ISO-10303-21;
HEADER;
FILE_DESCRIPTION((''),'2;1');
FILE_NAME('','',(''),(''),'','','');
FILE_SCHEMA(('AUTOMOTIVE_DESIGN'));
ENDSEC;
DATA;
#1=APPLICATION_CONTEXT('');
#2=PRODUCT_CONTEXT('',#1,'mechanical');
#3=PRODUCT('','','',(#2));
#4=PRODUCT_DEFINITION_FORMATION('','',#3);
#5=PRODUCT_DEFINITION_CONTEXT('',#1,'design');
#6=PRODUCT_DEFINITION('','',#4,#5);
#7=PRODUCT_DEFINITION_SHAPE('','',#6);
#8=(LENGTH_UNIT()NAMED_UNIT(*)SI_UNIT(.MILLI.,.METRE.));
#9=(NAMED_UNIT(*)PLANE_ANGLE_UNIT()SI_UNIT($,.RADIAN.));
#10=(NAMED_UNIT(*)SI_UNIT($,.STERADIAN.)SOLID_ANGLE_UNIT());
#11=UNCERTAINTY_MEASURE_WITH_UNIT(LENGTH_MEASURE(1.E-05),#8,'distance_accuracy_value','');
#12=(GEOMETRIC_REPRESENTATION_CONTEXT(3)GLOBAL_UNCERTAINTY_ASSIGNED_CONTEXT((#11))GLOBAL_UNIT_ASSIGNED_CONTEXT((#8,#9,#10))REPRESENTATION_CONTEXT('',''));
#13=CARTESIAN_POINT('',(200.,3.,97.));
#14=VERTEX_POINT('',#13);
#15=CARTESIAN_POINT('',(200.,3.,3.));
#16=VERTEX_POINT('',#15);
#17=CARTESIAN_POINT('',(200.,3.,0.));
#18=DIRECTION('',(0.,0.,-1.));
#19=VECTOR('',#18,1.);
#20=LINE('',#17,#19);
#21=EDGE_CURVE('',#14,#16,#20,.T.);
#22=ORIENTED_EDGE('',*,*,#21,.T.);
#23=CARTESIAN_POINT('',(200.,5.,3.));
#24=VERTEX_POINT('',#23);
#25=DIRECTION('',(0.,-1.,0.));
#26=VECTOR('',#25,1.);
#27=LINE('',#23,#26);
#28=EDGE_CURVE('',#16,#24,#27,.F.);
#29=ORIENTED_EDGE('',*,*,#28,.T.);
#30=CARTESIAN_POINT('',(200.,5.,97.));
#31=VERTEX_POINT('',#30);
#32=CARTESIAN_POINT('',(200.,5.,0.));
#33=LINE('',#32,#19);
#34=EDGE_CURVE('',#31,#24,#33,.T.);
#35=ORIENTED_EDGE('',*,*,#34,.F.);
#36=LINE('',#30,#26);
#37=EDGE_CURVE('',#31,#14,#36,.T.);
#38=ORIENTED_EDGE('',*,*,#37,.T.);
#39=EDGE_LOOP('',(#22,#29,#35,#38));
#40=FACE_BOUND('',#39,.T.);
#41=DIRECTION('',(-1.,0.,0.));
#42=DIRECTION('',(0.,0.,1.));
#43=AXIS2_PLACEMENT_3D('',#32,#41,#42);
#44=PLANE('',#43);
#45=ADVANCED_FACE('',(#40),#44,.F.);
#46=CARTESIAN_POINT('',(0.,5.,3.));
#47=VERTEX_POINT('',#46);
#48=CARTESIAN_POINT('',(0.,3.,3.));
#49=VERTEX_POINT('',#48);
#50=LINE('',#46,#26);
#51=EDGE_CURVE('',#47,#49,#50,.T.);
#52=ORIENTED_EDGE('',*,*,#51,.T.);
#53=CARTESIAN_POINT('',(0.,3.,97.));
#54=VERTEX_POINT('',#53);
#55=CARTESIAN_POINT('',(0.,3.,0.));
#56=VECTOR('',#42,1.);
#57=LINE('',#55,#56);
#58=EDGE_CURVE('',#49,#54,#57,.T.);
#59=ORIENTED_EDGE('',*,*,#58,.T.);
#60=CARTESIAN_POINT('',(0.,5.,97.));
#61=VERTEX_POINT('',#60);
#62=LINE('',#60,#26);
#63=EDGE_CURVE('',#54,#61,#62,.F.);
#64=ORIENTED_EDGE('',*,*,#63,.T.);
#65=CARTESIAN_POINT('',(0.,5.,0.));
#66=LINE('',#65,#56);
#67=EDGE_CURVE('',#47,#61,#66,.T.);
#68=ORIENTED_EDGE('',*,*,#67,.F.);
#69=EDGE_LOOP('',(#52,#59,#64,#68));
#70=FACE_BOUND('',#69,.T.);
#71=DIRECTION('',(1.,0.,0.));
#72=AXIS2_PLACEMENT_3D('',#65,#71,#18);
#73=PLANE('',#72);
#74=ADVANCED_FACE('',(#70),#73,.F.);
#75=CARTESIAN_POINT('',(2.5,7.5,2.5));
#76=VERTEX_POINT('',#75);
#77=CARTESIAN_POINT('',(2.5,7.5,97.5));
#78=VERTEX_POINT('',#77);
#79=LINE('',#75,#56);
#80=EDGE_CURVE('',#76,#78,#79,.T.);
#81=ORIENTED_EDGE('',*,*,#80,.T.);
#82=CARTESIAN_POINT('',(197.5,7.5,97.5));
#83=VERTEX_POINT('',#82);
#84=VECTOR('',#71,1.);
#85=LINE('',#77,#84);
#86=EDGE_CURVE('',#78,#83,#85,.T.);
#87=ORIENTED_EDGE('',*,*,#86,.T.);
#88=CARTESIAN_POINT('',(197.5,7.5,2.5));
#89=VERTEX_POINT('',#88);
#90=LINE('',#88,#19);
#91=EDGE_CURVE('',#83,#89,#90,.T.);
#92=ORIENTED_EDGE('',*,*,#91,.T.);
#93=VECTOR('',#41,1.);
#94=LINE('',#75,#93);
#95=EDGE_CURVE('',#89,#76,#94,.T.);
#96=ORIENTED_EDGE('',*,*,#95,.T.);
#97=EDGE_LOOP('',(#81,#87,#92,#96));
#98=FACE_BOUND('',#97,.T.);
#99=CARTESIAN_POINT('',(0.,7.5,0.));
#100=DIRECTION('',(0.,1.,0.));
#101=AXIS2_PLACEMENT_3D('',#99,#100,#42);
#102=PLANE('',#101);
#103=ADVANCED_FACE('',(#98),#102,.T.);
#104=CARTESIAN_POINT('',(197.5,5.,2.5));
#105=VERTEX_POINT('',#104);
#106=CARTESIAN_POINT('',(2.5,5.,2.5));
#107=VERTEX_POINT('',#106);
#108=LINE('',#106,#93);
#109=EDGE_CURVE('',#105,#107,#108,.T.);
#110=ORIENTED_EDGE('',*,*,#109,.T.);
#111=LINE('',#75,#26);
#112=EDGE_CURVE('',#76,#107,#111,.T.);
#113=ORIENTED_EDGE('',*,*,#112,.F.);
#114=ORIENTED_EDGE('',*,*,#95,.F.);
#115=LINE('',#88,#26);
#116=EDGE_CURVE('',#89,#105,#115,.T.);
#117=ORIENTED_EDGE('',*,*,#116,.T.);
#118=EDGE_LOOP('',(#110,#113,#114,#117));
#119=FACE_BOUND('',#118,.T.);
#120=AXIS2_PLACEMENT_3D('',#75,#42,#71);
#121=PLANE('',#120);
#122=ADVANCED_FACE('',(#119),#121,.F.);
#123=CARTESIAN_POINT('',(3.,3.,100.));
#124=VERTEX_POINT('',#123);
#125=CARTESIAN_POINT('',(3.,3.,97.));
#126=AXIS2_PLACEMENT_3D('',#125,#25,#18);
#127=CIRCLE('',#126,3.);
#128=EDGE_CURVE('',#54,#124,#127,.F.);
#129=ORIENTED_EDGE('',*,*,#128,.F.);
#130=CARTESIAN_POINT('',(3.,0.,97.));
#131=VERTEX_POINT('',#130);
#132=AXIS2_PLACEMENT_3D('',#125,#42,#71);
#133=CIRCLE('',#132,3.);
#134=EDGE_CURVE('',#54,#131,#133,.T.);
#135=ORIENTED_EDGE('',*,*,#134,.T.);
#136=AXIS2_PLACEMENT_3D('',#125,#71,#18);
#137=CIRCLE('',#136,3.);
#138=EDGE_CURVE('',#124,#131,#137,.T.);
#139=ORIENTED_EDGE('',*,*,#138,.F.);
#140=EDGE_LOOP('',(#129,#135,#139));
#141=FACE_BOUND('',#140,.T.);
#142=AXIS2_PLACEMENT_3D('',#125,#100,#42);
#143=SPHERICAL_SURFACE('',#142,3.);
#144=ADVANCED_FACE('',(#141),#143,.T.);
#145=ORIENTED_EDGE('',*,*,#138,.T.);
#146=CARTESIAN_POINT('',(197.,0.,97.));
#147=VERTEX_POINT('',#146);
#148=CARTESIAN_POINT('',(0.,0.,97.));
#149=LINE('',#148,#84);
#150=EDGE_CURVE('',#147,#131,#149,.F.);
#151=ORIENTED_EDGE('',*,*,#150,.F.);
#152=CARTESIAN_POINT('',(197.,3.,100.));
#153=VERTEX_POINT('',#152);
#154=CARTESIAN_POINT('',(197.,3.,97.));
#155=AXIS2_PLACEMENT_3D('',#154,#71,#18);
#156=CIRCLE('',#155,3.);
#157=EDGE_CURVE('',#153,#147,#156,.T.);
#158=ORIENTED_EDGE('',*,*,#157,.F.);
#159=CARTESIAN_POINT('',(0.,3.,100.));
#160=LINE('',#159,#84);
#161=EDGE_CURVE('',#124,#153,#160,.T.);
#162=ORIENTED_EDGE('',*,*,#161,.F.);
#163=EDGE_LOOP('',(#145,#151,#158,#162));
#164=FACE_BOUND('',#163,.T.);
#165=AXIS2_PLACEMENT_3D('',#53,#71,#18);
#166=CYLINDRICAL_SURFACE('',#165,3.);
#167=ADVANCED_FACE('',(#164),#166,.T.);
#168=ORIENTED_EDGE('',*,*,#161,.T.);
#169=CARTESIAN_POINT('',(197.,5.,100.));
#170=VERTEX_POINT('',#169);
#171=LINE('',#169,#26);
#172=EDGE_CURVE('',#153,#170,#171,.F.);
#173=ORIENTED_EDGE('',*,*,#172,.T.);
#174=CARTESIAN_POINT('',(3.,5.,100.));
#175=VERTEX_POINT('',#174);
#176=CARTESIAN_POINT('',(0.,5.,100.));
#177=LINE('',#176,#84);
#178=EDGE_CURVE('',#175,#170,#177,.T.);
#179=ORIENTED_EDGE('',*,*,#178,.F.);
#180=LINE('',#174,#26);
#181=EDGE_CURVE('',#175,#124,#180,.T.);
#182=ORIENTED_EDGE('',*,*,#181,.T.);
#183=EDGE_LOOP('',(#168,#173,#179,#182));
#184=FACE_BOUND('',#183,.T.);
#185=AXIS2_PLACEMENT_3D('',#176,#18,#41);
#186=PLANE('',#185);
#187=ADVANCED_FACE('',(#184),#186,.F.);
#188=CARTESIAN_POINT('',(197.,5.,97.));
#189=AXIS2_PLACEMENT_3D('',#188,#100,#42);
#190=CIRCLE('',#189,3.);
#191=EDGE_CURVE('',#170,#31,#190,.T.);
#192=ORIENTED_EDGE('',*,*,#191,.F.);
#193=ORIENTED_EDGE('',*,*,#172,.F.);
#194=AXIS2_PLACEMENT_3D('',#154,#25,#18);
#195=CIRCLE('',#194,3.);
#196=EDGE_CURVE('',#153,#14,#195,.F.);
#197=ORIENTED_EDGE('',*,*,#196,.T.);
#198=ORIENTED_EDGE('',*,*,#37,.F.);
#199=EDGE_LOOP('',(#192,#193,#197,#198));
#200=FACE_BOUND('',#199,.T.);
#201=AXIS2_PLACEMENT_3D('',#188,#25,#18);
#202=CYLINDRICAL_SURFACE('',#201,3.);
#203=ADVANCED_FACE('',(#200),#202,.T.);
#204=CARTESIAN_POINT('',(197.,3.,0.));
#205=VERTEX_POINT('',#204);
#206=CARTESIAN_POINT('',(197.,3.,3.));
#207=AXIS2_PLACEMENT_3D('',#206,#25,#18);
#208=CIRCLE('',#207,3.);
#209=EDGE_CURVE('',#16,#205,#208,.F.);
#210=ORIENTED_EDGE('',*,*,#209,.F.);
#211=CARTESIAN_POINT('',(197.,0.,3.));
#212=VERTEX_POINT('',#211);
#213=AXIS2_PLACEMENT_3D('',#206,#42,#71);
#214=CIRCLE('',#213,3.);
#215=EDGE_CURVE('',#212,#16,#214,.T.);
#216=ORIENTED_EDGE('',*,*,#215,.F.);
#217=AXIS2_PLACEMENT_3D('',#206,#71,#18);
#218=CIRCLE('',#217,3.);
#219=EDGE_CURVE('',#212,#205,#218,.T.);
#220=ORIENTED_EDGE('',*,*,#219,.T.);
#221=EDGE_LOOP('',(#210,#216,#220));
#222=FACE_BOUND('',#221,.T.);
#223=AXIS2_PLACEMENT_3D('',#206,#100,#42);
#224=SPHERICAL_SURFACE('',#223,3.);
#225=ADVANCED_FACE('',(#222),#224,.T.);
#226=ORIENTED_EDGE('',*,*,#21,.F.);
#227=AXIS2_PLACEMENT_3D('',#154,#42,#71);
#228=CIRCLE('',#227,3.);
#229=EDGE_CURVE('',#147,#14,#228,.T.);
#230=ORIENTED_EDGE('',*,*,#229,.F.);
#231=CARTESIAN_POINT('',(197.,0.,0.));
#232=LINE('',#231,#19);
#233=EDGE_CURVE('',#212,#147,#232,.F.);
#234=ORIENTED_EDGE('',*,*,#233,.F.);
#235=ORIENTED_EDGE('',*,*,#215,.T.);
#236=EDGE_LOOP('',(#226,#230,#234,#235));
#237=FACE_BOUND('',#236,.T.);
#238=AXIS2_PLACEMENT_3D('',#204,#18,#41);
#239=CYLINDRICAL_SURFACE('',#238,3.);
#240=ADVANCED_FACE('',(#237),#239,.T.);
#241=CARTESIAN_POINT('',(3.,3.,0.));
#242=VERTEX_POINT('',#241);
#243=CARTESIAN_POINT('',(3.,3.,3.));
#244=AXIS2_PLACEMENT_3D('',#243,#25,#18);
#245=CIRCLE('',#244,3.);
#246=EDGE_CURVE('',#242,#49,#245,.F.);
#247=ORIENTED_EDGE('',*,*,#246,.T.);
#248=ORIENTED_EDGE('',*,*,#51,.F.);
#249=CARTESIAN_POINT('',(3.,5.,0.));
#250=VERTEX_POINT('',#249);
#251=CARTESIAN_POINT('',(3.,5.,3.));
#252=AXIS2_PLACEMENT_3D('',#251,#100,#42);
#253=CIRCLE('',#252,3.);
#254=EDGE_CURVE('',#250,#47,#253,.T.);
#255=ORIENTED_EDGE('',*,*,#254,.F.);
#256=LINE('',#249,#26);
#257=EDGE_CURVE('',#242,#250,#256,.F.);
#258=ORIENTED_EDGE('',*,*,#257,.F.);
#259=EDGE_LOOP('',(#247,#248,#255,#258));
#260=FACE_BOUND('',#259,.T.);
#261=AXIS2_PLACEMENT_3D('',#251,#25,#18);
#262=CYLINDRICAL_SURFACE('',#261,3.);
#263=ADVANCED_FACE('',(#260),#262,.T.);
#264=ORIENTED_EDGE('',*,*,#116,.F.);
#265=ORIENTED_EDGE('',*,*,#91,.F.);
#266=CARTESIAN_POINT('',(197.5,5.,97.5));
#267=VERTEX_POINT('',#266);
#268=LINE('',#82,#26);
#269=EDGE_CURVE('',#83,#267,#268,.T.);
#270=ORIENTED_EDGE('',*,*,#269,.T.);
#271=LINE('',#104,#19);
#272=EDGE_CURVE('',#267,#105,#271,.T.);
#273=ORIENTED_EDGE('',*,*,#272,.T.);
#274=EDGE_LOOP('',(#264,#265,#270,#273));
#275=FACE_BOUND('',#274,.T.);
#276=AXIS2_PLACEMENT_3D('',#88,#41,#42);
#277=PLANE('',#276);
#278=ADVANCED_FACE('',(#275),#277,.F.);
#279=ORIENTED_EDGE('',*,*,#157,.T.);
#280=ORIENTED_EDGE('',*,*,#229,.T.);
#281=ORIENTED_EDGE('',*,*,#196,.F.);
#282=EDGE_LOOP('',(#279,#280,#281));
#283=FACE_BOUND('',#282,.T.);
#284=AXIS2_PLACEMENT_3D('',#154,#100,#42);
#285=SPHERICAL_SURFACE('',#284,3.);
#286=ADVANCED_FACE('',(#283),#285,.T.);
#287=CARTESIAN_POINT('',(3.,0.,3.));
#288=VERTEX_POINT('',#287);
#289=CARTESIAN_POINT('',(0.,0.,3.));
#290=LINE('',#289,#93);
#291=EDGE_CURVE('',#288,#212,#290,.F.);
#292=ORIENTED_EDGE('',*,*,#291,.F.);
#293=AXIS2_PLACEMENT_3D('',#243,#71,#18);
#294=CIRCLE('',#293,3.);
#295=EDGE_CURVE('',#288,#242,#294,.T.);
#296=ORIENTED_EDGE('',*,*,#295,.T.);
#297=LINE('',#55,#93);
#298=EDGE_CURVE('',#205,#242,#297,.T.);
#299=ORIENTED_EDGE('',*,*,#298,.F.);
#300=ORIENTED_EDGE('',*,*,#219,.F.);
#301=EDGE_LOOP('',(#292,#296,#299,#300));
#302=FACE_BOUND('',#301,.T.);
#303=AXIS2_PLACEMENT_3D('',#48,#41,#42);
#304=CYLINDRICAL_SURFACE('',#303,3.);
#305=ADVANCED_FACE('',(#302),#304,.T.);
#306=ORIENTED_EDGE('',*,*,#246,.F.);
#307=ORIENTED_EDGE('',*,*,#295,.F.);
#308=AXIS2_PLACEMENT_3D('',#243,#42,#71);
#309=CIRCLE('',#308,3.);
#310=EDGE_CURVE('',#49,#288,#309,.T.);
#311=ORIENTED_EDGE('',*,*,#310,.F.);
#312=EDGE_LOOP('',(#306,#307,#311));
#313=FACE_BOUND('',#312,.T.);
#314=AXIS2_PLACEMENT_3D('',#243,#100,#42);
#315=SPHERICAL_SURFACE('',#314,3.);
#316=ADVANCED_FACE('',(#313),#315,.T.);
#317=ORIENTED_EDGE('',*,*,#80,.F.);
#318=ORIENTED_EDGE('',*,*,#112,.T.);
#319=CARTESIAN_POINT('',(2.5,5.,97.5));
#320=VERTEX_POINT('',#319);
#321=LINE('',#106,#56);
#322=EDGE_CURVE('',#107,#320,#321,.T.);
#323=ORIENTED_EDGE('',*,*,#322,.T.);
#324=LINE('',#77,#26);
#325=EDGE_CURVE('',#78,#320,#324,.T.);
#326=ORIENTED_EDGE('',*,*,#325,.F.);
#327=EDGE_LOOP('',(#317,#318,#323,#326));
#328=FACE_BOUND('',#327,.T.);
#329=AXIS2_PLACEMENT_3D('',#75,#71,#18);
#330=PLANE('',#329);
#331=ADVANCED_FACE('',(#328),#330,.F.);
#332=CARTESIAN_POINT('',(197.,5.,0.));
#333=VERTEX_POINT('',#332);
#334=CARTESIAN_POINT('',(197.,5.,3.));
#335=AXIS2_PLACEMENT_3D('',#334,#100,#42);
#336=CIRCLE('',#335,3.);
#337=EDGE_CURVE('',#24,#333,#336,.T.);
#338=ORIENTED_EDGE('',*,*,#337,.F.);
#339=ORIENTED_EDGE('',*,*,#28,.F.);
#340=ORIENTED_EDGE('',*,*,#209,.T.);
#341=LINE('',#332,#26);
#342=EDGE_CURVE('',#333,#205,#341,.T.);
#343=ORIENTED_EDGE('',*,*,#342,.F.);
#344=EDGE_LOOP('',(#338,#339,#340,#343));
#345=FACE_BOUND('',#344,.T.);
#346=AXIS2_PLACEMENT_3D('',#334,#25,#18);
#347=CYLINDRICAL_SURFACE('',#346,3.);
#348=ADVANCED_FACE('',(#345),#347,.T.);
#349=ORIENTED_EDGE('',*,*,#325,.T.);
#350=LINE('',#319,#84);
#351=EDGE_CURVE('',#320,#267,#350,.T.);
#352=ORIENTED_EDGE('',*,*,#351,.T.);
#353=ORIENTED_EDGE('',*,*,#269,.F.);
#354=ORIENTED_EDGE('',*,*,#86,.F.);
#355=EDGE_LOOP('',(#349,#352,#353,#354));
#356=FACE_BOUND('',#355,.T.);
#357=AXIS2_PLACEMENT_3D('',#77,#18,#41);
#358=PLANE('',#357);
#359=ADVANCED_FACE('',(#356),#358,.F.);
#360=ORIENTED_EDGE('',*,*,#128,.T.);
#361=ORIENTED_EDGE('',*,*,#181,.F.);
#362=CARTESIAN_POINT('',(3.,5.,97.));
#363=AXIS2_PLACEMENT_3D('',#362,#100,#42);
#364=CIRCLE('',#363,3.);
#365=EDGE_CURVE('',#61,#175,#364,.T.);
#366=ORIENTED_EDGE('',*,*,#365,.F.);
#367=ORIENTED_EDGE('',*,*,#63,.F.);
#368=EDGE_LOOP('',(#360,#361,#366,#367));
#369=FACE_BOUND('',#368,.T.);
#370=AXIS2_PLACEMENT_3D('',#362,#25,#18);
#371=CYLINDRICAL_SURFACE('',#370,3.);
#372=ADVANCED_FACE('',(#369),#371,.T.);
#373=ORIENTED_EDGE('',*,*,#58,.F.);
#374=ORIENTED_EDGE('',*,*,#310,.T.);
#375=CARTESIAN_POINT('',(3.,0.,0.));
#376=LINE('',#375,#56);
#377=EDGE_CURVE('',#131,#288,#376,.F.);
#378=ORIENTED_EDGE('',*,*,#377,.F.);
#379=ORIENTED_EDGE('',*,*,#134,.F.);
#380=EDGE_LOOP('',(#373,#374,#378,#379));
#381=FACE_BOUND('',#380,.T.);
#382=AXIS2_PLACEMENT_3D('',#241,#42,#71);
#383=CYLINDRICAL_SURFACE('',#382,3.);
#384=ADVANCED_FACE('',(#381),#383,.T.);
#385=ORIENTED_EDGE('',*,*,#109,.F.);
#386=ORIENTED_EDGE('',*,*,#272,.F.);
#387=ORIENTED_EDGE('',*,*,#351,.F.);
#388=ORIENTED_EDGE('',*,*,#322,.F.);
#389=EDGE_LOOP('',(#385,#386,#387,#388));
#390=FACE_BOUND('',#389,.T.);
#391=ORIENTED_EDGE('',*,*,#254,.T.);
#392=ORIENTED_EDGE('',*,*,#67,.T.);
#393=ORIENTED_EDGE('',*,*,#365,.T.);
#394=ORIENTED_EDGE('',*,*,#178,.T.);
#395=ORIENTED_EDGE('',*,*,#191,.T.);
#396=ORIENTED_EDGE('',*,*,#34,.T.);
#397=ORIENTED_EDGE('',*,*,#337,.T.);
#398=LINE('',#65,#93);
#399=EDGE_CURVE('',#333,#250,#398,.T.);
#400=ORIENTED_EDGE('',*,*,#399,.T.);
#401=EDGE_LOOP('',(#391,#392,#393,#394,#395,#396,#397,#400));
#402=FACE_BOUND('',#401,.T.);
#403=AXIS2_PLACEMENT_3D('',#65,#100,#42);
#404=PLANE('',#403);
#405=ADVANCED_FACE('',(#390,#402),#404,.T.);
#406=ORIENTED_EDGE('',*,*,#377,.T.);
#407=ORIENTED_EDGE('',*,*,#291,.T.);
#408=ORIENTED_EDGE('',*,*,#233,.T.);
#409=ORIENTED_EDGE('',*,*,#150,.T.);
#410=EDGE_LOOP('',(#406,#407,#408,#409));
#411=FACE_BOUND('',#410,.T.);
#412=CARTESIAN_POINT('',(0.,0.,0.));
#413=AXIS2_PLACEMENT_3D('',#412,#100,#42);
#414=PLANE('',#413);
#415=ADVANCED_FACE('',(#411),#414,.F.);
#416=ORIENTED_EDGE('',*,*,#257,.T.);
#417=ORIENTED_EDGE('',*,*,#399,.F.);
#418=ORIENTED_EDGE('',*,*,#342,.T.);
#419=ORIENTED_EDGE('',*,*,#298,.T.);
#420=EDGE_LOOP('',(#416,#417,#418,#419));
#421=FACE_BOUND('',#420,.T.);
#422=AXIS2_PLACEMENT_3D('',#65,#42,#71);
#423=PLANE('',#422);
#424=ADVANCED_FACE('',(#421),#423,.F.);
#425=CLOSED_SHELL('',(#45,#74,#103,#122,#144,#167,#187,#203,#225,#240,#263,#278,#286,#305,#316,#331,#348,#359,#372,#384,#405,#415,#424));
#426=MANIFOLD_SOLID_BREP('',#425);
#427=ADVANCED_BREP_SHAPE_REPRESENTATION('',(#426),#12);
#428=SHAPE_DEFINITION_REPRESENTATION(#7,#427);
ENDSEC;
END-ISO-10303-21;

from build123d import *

# Parameters (mm, degrees)
SKETCH1_W           = 200
SKETCH1_H           = 100
BOSS_EXTRUDE1_DEPTH = 5
SKETCH2_W           = 195
SKETCH2_H           = 95
BOSS_EXTRUDE2_DEPTH = 2.5
FILLET1_R           = 3
FILLET2_R           = 3


with BuildPart() as part:
    # Sketch1 → Boss-Extrude1 (new body)
    with BuildSketch(Plane(origin=(0, 0, 0), x_dir=(1, 0, 0), z_dir=(0, 1, 0))):
        with Locations((100, -50)):
            Rectangle(SKETCH1_W, SKETCH1_H)
    extrude(amount=BOSS_EXTRUDE1_DEPTH)

    # Sketch2 → Boss-Extrude2 (add)
    with BuildSketch(Plane(origin=(0, 5, 0), x_dir=(1, 0, 0), z_dir=(0, 1, 0))):
        with Locations((100, -50)):
            Rectangle(SKETCH2_W, SKETCH2_H)
    extrude(amount=BOSS_EXTRUDE2_DEPTH)

    # Fillet1
    fillet1_edges = [part.edges().sort_by_distance(p)[0] for p in [
        (0, 2.5, 0),
        (200, 2.5, 0),
        (200, 2.5, 100),
        (0, 2.5, 100),
    ]]
    fillet(fillet1_edges, radius=FILLET1_R)

    # Fillet2
    fillet2_edges = [part.edges().sort_by_distance(p)[0] for p in [
        (200, 0, 50),
        (0, 0, 50),
        (100, 0, 0),
        (100, 0, 100),
        (0.878679656, 0, 99.121320344),
        (0.878679656, 0, 0.878679656),
        (199.121320344, 0, 0.878679656),
        (199.121320344, 0, 99.121320344),
    ]]
    fillet(fillet2_edges, radius=FILLET2_R)


solid = part.part
